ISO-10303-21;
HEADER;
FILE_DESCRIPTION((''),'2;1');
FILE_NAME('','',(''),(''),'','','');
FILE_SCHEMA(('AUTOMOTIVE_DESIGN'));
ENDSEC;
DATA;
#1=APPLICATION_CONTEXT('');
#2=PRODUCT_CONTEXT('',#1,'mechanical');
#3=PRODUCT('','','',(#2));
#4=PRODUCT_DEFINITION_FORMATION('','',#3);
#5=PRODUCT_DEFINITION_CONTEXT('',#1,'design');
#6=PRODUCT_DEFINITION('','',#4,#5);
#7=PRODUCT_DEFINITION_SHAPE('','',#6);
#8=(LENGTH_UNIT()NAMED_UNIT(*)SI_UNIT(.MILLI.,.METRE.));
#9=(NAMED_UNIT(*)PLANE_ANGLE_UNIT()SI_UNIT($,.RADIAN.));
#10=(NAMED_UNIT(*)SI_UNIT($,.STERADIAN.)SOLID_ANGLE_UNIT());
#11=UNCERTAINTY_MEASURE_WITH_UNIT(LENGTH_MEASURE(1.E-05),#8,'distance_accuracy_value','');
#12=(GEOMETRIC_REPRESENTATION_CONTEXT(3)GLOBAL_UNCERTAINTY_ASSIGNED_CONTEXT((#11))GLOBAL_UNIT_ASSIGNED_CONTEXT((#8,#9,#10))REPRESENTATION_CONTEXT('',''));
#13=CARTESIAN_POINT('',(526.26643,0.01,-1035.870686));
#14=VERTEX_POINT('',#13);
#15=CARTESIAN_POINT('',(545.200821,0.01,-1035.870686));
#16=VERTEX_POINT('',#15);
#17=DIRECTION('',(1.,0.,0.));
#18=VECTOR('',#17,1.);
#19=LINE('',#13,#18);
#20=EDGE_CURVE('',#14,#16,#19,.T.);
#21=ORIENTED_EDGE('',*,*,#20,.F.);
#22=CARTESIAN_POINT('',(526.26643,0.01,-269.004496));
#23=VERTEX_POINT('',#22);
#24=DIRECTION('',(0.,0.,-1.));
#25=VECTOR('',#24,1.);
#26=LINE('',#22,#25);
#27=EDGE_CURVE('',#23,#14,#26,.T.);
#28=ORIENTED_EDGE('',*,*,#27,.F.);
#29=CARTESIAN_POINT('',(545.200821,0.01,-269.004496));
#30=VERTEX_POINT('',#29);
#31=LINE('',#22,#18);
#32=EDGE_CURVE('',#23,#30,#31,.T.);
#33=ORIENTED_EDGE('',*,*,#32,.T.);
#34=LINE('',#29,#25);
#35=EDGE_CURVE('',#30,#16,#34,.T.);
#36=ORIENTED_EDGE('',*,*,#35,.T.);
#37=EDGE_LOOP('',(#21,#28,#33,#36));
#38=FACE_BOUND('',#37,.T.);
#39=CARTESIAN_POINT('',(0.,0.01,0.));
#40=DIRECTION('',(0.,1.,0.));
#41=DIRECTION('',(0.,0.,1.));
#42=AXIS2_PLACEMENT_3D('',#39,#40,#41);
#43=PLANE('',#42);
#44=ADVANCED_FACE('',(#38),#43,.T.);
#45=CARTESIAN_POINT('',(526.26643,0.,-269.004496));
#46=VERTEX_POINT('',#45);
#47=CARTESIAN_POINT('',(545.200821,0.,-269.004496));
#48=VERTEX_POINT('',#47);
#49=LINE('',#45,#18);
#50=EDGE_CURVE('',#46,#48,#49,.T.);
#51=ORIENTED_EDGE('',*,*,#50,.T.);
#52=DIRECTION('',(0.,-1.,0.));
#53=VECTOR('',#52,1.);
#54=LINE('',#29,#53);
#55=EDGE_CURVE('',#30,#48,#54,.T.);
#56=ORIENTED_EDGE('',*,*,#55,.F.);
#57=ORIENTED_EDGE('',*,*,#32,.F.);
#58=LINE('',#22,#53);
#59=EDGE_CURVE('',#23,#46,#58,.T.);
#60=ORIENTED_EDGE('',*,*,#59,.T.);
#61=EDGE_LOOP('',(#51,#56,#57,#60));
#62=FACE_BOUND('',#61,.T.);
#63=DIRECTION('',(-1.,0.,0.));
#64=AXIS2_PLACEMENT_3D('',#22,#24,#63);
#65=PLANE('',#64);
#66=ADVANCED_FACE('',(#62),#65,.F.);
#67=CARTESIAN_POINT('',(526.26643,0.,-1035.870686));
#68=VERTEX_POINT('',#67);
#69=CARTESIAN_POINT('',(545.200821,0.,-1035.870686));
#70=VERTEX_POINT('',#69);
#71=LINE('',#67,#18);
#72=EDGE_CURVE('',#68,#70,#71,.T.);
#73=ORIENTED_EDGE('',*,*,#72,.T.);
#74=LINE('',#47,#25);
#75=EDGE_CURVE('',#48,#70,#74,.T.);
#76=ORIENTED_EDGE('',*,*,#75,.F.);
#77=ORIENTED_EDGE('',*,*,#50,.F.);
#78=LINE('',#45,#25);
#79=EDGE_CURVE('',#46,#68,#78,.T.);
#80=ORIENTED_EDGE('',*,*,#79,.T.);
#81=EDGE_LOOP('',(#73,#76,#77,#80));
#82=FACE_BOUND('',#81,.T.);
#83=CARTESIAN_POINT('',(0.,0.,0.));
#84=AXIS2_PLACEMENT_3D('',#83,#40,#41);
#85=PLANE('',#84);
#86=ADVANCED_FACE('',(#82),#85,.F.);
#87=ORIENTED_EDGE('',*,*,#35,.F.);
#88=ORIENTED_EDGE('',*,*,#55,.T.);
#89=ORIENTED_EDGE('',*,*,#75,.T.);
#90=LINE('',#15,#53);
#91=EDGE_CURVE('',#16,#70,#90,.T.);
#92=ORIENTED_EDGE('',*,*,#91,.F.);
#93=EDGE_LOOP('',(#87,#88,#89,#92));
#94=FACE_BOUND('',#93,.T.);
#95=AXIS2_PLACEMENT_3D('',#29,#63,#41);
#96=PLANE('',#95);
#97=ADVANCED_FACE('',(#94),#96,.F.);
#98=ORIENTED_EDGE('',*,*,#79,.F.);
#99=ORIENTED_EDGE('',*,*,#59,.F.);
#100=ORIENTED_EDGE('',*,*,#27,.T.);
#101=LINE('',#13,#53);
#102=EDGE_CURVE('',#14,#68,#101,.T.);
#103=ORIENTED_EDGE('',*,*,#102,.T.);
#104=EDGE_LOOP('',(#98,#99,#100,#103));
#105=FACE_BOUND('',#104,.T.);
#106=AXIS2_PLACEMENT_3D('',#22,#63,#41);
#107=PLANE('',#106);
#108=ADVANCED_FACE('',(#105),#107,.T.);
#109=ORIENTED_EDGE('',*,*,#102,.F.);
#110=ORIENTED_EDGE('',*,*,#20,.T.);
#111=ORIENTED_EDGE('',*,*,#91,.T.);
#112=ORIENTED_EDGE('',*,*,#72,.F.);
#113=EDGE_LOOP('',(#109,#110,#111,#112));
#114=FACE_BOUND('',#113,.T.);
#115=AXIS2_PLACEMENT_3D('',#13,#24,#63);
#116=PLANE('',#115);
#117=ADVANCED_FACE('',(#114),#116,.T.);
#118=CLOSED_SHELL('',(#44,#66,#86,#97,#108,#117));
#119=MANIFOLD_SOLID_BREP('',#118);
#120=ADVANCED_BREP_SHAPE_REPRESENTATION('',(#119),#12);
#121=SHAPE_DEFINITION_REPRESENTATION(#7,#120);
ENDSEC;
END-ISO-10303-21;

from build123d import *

# Parameters (mm, degrees)
ESBO_O1_W                = 18.934391242
ESBO_O1_H                = 766.866190092
RESSALTO_EXTRUS_O5_DEPTH = 0.01


with BuildPart() as part:
    # Esboço1 → Ressalto-extrusão5 (new body)
    with BuildSketch(Plane(origin=(0, 0, 0), x_dir=(1, 0, 0), z_dir=(0, 1, 0))):
        with Locations((535.733625229, 652.437591228)):
            Rectangle(ESBO_O1_W, ESBO_O1_H)
    extrude(amount=RESSALTO_EXTRUS_O5_DEPTH)


solid = part.part
